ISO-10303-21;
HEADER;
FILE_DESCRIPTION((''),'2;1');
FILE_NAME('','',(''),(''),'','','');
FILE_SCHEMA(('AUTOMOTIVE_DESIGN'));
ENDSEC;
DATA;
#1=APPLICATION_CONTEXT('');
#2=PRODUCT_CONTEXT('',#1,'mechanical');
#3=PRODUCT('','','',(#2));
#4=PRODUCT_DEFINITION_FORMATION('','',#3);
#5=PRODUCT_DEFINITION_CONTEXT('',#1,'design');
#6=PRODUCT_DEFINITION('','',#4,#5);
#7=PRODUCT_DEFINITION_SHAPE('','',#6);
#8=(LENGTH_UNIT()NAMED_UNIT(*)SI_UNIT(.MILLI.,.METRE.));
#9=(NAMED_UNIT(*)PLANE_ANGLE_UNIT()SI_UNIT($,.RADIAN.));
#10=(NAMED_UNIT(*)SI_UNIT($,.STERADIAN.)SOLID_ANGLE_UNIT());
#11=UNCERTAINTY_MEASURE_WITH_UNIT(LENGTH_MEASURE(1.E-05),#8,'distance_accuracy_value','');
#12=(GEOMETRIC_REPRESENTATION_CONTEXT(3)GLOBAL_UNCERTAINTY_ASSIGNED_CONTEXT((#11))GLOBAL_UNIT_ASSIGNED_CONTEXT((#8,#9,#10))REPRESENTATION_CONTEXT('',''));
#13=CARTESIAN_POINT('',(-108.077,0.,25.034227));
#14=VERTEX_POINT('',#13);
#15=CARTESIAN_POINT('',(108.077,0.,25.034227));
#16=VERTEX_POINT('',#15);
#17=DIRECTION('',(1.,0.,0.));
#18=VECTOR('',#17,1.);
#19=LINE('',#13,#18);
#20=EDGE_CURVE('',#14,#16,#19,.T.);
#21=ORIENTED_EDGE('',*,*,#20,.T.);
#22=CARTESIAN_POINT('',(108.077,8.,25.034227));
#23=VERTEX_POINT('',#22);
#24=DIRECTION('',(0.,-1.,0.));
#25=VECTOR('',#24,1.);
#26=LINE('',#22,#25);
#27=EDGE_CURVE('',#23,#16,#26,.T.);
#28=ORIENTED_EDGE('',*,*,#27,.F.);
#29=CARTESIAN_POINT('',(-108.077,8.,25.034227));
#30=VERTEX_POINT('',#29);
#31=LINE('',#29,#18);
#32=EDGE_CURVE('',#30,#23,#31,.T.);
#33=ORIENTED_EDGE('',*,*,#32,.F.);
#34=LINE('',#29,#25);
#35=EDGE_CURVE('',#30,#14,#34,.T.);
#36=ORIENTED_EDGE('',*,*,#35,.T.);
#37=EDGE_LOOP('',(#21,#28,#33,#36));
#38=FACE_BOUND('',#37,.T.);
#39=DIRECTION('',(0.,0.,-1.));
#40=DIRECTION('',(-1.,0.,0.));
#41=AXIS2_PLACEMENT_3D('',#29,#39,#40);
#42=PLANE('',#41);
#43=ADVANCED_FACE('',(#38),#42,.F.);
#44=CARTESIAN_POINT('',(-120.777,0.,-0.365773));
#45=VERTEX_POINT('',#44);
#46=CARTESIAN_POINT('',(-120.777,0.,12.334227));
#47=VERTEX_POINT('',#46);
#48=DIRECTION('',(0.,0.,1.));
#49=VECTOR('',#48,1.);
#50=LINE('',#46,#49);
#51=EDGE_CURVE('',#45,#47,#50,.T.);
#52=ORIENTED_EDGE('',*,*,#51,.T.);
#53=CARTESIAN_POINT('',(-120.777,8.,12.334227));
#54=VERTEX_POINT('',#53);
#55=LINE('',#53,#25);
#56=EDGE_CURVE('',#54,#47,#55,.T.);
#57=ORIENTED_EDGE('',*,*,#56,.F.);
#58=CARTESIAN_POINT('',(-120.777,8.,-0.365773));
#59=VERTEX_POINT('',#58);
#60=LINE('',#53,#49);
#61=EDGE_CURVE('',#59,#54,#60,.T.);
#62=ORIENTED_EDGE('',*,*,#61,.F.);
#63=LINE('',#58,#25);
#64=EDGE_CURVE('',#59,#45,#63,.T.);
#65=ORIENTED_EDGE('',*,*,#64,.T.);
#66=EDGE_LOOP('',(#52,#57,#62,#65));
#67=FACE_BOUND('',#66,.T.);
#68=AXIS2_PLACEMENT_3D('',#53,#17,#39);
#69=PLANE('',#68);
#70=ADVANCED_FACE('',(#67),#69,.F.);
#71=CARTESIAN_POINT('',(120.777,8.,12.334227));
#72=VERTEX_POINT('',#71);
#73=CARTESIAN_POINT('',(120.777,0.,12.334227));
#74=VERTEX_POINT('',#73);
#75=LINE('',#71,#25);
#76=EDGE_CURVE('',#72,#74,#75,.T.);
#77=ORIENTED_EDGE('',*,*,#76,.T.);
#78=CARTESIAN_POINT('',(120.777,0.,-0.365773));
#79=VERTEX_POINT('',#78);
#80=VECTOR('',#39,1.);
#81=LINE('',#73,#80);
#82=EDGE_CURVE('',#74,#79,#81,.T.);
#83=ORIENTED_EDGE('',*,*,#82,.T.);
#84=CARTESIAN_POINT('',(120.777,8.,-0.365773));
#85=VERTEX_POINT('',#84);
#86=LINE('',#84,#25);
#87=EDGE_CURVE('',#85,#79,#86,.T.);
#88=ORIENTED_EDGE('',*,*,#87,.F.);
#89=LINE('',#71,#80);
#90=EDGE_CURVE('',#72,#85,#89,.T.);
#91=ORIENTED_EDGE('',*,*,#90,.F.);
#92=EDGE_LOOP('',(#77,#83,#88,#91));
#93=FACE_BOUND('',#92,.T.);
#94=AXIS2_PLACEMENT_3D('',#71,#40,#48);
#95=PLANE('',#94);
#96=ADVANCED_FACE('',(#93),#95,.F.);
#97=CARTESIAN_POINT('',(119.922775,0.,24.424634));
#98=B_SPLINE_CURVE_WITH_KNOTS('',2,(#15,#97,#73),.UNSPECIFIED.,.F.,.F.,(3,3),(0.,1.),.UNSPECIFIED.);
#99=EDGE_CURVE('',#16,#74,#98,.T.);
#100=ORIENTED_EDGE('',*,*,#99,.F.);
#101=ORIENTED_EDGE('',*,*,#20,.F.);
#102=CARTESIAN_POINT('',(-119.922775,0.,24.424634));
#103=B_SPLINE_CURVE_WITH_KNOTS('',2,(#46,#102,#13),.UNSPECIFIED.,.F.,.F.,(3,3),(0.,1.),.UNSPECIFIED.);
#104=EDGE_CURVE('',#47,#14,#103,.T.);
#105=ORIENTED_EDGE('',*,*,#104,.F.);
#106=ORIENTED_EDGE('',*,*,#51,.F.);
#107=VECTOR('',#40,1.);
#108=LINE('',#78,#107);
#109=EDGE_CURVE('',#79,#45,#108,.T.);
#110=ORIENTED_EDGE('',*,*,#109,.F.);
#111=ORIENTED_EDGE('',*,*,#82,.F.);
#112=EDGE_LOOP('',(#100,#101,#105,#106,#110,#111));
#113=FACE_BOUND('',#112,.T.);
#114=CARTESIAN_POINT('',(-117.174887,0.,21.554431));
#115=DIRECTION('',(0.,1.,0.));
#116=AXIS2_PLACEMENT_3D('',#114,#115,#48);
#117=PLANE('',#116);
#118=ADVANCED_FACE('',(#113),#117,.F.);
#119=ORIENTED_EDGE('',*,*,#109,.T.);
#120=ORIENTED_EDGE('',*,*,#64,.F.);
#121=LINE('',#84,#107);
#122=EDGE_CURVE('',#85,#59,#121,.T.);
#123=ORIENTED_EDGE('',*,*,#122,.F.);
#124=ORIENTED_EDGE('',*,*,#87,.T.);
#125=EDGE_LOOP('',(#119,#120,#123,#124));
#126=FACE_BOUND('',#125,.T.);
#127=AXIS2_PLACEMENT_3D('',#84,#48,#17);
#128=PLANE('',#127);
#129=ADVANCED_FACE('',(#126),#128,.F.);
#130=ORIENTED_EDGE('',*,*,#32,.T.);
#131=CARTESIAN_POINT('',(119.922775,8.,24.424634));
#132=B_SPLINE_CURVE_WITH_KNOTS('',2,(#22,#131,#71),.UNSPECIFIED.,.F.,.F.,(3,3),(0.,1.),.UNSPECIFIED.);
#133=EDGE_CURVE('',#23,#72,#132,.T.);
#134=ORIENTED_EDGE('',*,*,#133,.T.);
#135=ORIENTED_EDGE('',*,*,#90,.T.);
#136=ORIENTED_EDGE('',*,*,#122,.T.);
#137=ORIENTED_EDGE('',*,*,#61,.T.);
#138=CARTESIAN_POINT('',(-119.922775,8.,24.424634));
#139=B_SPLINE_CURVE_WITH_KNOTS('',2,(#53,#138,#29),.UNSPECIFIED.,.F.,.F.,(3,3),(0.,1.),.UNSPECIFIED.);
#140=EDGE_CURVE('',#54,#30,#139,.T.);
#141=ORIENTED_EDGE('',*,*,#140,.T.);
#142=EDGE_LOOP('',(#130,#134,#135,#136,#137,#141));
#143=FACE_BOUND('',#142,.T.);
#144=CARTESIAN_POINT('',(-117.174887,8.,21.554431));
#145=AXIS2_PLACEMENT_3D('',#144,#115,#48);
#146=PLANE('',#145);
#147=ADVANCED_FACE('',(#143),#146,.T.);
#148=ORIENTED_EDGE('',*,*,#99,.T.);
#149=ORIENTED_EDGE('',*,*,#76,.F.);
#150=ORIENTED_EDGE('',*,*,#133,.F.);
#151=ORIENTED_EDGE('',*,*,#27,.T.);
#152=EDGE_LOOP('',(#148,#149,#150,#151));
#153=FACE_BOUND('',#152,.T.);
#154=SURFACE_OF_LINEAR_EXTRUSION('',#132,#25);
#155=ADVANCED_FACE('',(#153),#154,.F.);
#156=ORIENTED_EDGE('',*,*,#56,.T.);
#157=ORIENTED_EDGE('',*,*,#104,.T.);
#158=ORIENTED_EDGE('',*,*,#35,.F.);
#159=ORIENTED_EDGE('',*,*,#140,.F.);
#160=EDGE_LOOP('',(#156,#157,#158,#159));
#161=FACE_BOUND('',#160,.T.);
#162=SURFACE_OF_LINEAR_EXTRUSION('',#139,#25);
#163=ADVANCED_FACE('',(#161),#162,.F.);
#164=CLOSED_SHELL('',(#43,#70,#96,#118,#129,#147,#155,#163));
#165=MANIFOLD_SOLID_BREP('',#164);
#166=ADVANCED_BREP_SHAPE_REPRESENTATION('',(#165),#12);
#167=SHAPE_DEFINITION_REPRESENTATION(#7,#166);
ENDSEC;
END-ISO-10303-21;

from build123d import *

# Parameters (mm, degrees)
BOSS_EXTRUDE1_DEPTH = 8


with BuildPart() as part:
    # Sketch2 → Boss-Extrude1 (new body)
    with BuildSketch(Plane(origin=(0, 0, 0), x_dir=(1, 0, 0), z_dir=(0, 1, 0))):
        with BuildLine():
            Line((-108.077, -25.034226815), (108.077, -25.034226815))
            add(Edge.make_bspline(
                [(108.077, -25.034226815), (119.922774985, -24.424634346), (120.777, -12.334226815)],
                knots=[0, 0, 0, 1, 1, 1], degree=2))
            Line((120.777, -12.334226815), (120.777, 0.365773185))
            Line((120.777, 0.365773185), (-120.777, 0.365773185))
            Line((-120.777, 0.365773185), (-120.777, -12.334226815))
            add(Edge.make_bspline(
                [(-108.077, -25.034226815), (-119.922774985, -24.424634346), (-120.777, -12.334226815)],
                knots=[0, 0, 0, 1, 1, 1], degree=2))
        make_face()
    extrude(amount=BOSS_EXTRUDE1_DEPTH)


solid = part.part
